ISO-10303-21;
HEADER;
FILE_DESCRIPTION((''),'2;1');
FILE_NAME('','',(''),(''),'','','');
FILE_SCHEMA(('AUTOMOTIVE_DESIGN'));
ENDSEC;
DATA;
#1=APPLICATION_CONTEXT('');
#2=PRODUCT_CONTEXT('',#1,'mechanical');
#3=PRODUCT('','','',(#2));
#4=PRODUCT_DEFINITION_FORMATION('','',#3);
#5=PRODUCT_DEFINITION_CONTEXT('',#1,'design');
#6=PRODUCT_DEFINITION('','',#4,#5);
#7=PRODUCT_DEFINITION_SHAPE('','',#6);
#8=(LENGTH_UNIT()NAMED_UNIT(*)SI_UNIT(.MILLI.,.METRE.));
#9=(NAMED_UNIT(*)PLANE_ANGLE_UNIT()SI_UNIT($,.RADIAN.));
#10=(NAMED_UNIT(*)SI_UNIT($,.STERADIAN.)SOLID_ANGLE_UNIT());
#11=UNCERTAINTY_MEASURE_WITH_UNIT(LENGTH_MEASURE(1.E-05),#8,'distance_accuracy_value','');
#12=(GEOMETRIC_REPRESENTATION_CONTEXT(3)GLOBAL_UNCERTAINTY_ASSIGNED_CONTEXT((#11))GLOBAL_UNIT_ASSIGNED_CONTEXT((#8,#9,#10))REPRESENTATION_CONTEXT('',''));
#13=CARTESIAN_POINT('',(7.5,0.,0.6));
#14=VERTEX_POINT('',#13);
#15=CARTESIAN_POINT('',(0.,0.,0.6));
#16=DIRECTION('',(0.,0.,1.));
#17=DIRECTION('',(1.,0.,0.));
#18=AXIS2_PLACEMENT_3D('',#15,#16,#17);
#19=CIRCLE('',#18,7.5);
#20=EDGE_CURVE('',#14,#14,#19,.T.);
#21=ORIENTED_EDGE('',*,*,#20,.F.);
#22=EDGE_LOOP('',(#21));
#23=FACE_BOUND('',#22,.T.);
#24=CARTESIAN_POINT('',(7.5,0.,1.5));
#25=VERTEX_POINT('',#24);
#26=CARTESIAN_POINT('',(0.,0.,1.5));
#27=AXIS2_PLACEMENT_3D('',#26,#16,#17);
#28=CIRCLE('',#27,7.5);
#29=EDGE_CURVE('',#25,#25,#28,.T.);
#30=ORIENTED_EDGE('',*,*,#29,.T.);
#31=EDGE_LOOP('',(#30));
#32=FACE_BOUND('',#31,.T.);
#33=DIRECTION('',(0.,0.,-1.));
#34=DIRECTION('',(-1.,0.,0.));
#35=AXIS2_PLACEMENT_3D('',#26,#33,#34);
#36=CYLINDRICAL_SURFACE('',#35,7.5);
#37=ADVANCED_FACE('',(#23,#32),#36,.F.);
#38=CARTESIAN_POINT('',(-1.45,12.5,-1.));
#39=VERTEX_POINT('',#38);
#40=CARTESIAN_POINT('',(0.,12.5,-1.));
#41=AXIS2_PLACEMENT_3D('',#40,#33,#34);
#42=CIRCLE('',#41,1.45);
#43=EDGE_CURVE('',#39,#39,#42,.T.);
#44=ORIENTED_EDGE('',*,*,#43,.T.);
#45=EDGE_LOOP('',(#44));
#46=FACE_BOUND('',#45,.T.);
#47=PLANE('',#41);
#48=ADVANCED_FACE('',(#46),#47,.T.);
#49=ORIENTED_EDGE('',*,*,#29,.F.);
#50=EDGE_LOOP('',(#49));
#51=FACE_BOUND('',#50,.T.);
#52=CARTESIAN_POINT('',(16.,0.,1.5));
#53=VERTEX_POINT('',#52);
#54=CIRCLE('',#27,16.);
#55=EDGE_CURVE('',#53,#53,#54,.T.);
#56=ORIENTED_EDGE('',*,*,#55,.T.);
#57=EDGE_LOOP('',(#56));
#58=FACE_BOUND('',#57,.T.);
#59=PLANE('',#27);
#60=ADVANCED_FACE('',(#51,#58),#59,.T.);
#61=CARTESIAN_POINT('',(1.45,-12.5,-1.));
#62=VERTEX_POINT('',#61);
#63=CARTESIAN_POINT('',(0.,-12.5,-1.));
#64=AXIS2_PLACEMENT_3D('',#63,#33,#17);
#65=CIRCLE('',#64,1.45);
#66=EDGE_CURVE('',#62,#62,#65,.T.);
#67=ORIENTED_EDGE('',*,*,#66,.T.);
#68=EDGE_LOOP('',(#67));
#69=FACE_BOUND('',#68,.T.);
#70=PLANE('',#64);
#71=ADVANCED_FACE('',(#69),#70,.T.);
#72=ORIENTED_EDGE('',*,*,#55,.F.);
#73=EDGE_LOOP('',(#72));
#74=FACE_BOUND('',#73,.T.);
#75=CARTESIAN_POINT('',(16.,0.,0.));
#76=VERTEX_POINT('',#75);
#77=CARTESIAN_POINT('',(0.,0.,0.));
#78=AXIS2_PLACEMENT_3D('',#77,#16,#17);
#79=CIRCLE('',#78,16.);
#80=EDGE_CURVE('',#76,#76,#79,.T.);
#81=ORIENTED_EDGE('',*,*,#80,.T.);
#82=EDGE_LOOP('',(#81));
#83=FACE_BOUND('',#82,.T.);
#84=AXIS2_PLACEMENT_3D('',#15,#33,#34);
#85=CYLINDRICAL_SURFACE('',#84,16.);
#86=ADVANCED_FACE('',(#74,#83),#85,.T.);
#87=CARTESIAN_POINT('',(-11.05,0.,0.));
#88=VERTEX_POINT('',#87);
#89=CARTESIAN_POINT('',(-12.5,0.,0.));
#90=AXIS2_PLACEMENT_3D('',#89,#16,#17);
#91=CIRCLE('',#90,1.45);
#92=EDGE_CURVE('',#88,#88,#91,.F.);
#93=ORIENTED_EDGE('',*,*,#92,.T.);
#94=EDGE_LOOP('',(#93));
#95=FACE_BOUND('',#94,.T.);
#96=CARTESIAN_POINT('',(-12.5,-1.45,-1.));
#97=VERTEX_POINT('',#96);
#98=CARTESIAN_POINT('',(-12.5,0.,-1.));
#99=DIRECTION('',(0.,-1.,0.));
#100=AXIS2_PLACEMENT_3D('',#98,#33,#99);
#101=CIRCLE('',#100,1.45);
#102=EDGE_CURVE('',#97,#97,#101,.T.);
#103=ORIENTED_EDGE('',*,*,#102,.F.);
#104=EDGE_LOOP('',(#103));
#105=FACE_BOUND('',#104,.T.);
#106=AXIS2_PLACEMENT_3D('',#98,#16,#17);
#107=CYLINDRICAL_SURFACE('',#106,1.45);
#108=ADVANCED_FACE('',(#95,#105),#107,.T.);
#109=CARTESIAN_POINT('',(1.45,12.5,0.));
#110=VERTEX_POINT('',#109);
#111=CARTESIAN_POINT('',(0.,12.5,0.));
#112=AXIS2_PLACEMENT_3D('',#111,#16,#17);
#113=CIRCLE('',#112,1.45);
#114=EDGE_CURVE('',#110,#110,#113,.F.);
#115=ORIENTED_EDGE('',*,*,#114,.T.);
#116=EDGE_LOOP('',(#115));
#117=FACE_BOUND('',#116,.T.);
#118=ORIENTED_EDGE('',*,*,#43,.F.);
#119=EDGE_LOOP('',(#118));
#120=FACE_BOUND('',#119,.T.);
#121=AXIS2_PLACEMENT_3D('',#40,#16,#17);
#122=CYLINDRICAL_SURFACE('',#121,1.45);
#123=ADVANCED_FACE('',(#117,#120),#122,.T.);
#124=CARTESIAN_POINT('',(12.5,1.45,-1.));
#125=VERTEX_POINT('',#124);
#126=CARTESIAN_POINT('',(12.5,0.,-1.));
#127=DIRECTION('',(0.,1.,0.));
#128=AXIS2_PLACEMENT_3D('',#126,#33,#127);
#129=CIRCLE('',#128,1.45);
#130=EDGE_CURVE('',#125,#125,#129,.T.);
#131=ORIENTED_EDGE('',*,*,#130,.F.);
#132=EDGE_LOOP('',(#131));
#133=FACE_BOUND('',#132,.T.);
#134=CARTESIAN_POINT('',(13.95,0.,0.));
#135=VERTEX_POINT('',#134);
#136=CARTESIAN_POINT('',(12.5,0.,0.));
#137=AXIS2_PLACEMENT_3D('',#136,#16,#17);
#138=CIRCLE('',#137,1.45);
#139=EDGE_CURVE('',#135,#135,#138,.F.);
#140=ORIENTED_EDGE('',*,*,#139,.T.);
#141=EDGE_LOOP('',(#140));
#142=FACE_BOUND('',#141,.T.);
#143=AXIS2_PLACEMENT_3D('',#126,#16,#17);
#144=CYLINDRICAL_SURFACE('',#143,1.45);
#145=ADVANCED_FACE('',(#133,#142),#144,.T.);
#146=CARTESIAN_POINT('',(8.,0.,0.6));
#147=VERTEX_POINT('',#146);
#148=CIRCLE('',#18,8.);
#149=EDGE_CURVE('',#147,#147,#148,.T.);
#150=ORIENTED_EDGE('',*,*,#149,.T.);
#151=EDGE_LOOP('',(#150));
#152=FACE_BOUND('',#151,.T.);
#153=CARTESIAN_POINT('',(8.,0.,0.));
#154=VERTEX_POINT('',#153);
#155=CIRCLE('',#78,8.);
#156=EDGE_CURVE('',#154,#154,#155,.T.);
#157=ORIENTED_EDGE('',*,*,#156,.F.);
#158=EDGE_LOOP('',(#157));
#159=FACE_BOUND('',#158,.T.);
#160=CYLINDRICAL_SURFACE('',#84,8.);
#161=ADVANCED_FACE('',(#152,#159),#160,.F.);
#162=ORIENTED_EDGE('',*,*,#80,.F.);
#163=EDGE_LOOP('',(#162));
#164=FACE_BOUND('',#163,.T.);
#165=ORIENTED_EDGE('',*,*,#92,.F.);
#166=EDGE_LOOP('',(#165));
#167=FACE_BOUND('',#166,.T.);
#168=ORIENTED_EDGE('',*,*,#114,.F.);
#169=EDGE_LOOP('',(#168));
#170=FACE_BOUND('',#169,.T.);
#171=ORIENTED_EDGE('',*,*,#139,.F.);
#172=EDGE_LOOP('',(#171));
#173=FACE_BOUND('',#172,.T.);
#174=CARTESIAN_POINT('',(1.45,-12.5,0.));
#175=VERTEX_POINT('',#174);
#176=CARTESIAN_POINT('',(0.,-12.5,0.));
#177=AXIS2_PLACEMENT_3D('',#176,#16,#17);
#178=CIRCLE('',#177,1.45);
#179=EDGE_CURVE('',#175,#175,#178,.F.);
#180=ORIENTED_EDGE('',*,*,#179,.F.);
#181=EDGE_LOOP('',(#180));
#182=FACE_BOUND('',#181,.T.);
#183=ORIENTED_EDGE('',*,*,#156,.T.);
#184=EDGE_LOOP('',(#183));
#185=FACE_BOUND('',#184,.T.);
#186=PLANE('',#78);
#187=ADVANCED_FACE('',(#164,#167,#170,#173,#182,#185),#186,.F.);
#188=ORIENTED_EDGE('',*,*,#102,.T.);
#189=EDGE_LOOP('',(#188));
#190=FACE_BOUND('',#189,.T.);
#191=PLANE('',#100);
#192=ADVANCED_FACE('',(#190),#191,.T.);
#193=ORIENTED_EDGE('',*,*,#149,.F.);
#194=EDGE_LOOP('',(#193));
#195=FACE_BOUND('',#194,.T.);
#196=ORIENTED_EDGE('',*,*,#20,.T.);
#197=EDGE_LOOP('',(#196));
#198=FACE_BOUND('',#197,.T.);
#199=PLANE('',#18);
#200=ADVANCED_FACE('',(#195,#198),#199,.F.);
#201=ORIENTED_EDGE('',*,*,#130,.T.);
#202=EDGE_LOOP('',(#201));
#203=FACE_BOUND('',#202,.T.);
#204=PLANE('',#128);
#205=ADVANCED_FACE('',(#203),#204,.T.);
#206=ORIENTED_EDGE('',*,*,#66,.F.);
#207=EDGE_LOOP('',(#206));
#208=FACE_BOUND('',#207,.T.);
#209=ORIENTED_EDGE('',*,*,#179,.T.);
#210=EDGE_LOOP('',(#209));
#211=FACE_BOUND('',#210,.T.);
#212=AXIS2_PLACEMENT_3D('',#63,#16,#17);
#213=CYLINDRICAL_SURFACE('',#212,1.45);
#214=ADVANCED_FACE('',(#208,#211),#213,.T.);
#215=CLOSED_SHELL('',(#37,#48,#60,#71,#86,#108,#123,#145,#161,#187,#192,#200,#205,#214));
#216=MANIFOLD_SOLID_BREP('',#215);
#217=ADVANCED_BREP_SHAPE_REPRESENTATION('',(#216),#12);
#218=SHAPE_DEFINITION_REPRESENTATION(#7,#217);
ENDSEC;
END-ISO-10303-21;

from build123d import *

# Parameters (mm, degrees)
SCHIZZO1_R                   = 16
SCHIZZO1_R_2                 = 8
ESTRUSIONE_ESTRUSIONE1_DEPTH = 0.6
SCHIZZO3_R                   = 16
SCHIZZO3_R_2                 = 7.5
ESTRUSIONE_ESTRUSIONE2_DEPTH = 0.9
SCHIZZO5_R                   = 1.45
ESTRUSIONE_ESTRUSIONE3_DEPTH = 1
RIPETIZIONECIRCOLARE1_COUNT  = 4


with BuildPart() as part:
    # Schizzo1 → Estrusione-Estrusione1 (new body)
    with BuildSketch(Plane.XY):
        Circle(SCHIZZO1_R)
        Circle(SCHIZZO1_R_2, mode=Mode.SUBTRACT)
    extrude(amount=ESTRUSIONE_ESTRUSIONE1_DEPTH)

    # Schizzo3 → Estrusione-Estrusione2 (add)
    with BuildSketch(Plane.XY.offset(0.6)):
        Circle(SCHIZZO3_R)
        Circle(SCHIZZO3_R_2, mode=Mode.SUBTRACT)
    extrude(amount=ESTRUSIONE_ESTRUSIONE2_DEPTH)

    # Schizzo5 → Estrusione-Estrusione3 (add)
    with BuildSketch(Plane(origin=(0, 0, 0), x_dir=(-1, 0, 0), z_dir=(0, 0, -1))):
        with Locations((0, 12.5)):
            Circle(SCHIZZO5_R)
    estrusione_estrusione3 = extrude(amount=ESTRUSIONE_ESTRUSIONE3_DEPTH)

    # RipetizioneCircolare1: Estrusione-Estrusione3 ×4 about axis
    ripetizionecircolare1_axis = Axis((0, 0, 0), (0, 0, 1))
    for i in range(1, RIPETIZIONECIRCOLARE1_COUNT):
        add(estrusione_estrusione3.rotate(ripetizionecircolare1_axis, i * 360 / RIPETIZIONECIRCOLARE1_COUNT))


solid = part.part
